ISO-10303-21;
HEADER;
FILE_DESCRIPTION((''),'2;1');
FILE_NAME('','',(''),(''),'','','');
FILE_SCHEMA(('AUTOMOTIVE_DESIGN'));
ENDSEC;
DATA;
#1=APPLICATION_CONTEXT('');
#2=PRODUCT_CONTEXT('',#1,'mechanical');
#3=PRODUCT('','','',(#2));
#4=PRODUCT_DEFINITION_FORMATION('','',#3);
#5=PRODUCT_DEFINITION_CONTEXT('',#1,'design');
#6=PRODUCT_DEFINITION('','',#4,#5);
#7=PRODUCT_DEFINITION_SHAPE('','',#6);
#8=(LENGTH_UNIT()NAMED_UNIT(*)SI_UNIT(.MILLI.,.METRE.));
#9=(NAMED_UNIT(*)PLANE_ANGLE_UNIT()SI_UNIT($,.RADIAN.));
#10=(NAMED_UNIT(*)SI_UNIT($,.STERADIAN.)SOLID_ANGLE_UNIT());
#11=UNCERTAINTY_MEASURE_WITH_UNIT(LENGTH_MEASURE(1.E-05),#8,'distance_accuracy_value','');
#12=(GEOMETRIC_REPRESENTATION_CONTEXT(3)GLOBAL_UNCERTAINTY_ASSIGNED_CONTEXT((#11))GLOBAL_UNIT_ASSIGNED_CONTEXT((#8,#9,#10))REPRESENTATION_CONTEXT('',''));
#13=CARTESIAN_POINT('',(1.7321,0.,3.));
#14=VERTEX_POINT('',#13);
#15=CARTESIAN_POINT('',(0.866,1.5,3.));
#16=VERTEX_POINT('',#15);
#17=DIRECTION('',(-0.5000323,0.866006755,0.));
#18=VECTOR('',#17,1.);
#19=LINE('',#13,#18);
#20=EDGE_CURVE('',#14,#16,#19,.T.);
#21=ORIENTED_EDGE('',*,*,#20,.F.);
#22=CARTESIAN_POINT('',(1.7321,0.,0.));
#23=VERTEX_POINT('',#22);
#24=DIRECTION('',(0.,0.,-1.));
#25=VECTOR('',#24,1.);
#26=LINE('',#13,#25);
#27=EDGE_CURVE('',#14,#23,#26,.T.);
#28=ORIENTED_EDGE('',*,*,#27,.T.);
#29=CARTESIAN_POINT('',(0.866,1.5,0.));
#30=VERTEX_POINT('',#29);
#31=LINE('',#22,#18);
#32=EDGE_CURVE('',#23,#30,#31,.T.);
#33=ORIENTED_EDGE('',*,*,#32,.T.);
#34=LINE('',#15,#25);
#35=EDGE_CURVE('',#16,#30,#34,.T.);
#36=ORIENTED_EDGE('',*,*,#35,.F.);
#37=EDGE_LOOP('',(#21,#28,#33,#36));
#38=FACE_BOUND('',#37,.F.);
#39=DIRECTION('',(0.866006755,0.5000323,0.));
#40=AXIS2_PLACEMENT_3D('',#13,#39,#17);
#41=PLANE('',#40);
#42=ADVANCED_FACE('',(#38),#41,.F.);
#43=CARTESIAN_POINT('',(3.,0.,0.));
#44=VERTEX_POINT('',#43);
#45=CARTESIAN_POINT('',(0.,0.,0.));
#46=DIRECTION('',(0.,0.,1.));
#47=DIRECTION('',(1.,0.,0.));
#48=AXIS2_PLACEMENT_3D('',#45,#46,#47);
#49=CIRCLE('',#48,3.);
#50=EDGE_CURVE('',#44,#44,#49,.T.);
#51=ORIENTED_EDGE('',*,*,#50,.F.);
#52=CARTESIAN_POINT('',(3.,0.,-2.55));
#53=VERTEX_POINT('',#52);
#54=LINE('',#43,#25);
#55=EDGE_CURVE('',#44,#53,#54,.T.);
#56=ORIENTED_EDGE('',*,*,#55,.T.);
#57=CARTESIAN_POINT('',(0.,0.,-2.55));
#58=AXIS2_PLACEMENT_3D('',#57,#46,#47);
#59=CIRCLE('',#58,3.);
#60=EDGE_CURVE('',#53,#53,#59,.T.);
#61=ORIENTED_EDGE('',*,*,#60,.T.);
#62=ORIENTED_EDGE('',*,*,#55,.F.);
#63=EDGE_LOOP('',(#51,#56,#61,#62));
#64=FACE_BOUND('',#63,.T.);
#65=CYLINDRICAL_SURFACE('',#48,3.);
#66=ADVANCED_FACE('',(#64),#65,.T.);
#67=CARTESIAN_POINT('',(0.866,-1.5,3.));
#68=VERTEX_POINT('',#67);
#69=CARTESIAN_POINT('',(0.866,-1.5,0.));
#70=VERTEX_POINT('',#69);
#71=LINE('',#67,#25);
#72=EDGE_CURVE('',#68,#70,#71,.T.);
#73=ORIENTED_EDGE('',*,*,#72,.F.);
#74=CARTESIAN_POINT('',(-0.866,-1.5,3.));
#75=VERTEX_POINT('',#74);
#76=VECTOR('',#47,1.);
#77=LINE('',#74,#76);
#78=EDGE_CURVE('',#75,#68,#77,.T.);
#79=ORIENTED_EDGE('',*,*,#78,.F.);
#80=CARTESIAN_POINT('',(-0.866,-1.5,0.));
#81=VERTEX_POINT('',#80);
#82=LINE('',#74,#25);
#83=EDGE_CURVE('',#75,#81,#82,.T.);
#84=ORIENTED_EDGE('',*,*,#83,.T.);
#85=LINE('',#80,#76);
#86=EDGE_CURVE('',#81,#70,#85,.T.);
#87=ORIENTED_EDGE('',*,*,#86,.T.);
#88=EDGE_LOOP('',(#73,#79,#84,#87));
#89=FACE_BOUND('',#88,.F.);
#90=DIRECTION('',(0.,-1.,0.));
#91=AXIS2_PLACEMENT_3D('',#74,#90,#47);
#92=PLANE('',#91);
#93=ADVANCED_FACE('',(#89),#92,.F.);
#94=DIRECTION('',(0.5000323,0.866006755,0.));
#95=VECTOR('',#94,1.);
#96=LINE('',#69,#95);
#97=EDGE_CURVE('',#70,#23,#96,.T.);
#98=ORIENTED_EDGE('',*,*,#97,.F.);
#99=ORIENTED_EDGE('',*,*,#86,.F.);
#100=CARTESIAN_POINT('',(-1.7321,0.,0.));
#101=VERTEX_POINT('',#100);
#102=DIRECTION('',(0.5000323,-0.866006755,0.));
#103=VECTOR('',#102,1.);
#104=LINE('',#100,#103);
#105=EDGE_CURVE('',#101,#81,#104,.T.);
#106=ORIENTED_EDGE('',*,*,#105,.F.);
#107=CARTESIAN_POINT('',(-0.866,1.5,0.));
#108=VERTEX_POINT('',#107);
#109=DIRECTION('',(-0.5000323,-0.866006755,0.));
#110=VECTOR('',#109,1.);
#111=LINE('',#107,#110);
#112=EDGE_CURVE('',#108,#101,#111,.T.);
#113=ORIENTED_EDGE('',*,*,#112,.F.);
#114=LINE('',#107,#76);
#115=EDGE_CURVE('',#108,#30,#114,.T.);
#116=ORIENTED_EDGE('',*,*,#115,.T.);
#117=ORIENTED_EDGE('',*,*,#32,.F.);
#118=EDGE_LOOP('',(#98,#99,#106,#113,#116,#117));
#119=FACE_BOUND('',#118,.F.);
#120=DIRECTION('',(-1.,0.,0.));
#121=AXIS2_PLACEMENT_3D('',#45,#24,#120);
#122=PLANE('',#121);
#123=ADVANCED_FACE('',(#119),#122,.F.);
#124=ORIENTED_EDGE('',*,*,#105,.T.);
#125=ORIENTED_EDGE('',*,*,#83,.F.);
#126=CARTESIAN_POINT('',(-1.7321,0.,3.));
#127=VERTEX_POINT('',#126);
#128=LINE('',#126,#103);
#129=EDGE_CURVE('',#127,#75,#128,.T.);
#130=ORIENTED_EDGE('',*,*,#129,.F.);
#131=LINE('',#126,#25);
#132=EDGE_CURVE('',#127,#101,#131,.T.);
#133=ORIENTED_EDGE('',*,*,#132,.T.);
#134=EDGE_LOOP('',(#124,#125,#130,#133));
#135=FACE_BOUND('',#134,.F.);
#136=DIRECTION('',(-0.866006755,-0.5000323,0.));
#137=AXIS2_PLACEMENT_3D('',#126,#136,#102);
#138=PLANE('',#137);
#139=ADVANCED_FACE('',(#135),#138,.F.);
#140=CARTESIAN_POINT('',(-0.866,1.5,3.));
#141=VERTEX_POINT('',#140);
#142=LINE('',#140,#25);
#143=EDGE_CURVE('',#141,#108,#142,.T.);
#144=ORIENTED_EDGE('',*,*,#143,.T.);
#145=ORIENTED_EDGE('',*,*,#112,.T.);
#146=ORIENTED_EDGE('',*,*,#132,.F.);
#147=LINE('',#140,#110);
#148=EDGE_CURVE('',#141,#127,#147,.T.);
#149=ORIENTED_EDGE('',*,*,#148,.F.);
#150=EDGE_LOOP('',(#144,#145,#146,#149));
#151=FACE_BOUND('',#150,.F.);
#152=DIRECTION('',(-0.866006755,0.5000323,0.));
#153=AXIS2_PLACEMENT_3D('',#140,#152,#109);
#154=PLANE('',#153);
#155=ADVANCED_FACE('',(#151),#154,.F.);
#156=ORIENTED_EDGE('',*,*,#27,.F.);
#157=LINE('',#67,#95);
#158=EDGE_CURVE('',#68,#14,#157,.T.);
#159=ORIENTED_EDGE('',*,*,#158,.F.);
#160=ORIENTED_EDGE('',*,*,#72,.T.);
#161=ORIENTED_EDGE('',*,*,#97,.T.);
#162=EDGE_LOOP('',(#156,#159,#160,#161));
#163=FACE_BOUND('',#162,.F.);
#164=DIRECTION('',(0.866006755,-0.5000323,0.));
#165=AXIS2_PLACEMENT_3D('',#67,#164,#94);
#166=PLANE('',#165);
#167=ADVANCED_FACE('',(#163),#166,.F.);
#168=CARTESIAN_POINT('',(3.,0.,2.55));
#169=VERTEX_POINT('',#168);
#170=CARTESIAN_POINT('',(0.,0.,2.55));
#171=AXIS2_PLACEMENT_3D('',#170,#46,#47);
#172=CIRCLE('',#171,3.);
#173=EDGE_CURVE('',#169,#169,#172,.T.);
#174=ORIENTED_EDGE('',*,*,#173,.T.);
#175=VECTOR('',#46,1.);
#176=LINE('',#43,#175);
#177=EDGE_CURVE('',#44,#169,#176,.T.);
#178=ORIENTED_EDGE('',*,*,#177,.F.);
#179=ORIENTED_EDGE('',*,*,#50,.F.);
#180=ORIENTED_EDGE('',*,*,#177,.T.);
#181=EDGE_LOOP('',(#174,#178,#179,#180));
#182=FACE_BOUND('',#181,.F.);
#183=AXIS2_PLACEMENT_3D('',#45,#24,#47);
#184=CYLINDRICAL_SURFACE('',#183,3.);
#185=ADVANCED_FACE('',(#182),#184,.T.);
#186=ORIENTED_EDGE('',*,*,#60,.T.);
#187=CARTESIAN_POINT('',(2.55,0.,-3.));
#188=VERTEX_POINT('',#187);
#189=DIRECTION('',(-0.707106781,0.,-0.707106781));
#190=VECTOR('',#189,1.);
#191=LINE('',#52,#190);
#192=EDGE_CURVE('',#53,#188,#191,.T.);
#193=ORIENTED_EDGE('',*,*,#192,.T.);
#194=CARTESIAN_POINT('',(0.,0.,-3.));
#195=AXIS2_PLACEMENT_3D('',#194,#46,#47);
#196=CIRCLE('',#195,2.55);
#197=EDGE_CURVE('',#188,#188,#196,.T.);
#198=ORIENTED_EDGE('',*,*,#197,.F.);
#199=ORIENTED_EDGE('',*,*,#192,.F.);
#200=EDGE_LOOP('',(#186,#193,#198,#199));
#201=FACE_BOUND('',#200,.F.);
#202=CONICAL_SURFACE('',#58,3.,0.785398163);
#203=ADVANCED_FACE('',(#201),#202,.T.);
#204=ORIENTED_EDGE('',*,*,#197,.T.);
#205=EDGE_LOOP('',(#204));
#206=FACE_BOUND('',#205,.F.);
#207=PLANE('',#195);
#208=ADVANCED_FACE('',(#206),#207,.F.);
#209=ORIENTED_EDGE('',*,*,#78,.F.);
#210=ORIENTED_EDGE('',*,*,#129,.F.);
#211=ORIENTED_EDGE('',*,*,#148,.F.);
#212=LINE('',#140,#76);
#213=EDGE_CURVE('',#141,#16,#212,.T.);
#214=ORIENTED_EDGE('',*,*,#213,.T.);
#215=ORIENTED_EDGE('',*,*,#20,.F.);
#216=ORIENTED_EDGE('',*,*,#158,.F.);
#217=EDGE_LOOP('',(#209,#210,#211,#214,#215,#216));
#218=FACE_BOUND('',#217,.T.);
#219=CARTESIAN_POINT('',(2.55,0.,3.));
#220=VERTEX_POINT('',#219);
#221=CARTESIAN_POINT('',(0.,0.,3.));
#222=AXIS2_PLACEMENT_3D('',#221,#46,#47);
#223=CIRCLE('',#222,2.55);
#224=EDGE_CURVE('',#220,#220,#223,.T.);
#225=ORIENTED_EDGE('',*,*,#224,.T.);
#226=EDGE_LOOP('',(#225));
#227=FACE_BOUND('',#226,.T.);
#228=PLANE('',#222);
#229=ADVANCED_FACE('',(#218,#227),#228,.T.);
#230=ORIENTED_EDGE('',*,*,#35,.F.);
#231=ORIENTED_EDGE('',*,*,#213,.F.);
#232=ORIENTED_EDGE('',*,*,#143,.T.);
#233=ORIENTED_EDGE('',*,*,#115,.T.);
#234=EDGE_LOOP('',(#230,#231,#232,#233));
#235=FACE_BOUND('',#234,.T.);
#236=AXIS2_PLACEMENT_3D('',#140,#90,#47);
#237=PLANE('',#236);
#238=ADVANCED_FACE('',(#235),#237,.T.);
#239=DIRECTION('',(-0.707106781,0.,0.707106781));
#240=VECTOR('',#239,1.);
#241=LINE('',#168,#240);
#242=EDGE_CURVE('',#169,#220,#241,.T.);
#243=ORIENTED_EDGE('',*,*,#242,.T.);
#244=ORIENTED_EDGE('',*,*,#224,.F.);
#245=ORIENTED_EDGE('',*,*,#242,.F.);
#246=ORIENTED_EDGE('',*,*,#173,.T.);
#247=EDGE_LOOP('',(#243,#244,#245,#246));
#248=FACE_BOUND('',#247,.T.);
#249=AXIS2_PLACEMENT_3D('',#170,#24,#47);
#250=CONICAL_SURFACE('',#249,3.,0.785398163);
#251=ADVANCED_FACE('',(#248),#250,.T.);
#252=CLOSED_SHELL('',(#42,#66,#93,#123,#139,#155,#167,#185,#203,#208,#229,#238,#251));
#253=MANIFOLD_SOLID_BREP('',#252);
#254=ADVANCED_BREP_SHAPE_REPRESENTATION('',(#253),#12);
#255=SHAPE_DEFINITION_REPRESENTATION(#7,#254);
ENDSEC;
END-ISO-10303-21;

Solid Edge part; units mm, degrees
sketch "Sketch1" plane through (0, 0, 0) normal (0, 0, 1) x (1, 0, 0)
  circle A0 centre (0, 0) radius 3
  dimension "D1" = 6
extrude "Protrusion1" add sketch "Sketch1" along normal mid plane 6
chamfer "Chamfer1" distance 0.45 angle 45 2 edges at (-3, 0, -3) (-3, 0, 3)
sketch "Sketch2" plane through (0, 0, 3) normal (0, 0, 1) x (1, 0, 0)
  line L0 (-0.866, 1.5) -> (0.866, 1.5)
  line L1 (1.7321, 0) -> (0.866, 1.5)
  line L2 (0.866, -1.5) -> (1.7321, 0)
  line L3 (-0.866, -1.5) -> (0.866, -1.5)
  line L4 (-1.7321, 0) -> (-0.866, -1.5)
  line L5 (-0.866, 1.5) -> (-1.7321, 0)
  dimension "D1" = 3
extrude "Cutout1" cut sketch "Sketch2" against normal blind 3
properties part number "24104557"
